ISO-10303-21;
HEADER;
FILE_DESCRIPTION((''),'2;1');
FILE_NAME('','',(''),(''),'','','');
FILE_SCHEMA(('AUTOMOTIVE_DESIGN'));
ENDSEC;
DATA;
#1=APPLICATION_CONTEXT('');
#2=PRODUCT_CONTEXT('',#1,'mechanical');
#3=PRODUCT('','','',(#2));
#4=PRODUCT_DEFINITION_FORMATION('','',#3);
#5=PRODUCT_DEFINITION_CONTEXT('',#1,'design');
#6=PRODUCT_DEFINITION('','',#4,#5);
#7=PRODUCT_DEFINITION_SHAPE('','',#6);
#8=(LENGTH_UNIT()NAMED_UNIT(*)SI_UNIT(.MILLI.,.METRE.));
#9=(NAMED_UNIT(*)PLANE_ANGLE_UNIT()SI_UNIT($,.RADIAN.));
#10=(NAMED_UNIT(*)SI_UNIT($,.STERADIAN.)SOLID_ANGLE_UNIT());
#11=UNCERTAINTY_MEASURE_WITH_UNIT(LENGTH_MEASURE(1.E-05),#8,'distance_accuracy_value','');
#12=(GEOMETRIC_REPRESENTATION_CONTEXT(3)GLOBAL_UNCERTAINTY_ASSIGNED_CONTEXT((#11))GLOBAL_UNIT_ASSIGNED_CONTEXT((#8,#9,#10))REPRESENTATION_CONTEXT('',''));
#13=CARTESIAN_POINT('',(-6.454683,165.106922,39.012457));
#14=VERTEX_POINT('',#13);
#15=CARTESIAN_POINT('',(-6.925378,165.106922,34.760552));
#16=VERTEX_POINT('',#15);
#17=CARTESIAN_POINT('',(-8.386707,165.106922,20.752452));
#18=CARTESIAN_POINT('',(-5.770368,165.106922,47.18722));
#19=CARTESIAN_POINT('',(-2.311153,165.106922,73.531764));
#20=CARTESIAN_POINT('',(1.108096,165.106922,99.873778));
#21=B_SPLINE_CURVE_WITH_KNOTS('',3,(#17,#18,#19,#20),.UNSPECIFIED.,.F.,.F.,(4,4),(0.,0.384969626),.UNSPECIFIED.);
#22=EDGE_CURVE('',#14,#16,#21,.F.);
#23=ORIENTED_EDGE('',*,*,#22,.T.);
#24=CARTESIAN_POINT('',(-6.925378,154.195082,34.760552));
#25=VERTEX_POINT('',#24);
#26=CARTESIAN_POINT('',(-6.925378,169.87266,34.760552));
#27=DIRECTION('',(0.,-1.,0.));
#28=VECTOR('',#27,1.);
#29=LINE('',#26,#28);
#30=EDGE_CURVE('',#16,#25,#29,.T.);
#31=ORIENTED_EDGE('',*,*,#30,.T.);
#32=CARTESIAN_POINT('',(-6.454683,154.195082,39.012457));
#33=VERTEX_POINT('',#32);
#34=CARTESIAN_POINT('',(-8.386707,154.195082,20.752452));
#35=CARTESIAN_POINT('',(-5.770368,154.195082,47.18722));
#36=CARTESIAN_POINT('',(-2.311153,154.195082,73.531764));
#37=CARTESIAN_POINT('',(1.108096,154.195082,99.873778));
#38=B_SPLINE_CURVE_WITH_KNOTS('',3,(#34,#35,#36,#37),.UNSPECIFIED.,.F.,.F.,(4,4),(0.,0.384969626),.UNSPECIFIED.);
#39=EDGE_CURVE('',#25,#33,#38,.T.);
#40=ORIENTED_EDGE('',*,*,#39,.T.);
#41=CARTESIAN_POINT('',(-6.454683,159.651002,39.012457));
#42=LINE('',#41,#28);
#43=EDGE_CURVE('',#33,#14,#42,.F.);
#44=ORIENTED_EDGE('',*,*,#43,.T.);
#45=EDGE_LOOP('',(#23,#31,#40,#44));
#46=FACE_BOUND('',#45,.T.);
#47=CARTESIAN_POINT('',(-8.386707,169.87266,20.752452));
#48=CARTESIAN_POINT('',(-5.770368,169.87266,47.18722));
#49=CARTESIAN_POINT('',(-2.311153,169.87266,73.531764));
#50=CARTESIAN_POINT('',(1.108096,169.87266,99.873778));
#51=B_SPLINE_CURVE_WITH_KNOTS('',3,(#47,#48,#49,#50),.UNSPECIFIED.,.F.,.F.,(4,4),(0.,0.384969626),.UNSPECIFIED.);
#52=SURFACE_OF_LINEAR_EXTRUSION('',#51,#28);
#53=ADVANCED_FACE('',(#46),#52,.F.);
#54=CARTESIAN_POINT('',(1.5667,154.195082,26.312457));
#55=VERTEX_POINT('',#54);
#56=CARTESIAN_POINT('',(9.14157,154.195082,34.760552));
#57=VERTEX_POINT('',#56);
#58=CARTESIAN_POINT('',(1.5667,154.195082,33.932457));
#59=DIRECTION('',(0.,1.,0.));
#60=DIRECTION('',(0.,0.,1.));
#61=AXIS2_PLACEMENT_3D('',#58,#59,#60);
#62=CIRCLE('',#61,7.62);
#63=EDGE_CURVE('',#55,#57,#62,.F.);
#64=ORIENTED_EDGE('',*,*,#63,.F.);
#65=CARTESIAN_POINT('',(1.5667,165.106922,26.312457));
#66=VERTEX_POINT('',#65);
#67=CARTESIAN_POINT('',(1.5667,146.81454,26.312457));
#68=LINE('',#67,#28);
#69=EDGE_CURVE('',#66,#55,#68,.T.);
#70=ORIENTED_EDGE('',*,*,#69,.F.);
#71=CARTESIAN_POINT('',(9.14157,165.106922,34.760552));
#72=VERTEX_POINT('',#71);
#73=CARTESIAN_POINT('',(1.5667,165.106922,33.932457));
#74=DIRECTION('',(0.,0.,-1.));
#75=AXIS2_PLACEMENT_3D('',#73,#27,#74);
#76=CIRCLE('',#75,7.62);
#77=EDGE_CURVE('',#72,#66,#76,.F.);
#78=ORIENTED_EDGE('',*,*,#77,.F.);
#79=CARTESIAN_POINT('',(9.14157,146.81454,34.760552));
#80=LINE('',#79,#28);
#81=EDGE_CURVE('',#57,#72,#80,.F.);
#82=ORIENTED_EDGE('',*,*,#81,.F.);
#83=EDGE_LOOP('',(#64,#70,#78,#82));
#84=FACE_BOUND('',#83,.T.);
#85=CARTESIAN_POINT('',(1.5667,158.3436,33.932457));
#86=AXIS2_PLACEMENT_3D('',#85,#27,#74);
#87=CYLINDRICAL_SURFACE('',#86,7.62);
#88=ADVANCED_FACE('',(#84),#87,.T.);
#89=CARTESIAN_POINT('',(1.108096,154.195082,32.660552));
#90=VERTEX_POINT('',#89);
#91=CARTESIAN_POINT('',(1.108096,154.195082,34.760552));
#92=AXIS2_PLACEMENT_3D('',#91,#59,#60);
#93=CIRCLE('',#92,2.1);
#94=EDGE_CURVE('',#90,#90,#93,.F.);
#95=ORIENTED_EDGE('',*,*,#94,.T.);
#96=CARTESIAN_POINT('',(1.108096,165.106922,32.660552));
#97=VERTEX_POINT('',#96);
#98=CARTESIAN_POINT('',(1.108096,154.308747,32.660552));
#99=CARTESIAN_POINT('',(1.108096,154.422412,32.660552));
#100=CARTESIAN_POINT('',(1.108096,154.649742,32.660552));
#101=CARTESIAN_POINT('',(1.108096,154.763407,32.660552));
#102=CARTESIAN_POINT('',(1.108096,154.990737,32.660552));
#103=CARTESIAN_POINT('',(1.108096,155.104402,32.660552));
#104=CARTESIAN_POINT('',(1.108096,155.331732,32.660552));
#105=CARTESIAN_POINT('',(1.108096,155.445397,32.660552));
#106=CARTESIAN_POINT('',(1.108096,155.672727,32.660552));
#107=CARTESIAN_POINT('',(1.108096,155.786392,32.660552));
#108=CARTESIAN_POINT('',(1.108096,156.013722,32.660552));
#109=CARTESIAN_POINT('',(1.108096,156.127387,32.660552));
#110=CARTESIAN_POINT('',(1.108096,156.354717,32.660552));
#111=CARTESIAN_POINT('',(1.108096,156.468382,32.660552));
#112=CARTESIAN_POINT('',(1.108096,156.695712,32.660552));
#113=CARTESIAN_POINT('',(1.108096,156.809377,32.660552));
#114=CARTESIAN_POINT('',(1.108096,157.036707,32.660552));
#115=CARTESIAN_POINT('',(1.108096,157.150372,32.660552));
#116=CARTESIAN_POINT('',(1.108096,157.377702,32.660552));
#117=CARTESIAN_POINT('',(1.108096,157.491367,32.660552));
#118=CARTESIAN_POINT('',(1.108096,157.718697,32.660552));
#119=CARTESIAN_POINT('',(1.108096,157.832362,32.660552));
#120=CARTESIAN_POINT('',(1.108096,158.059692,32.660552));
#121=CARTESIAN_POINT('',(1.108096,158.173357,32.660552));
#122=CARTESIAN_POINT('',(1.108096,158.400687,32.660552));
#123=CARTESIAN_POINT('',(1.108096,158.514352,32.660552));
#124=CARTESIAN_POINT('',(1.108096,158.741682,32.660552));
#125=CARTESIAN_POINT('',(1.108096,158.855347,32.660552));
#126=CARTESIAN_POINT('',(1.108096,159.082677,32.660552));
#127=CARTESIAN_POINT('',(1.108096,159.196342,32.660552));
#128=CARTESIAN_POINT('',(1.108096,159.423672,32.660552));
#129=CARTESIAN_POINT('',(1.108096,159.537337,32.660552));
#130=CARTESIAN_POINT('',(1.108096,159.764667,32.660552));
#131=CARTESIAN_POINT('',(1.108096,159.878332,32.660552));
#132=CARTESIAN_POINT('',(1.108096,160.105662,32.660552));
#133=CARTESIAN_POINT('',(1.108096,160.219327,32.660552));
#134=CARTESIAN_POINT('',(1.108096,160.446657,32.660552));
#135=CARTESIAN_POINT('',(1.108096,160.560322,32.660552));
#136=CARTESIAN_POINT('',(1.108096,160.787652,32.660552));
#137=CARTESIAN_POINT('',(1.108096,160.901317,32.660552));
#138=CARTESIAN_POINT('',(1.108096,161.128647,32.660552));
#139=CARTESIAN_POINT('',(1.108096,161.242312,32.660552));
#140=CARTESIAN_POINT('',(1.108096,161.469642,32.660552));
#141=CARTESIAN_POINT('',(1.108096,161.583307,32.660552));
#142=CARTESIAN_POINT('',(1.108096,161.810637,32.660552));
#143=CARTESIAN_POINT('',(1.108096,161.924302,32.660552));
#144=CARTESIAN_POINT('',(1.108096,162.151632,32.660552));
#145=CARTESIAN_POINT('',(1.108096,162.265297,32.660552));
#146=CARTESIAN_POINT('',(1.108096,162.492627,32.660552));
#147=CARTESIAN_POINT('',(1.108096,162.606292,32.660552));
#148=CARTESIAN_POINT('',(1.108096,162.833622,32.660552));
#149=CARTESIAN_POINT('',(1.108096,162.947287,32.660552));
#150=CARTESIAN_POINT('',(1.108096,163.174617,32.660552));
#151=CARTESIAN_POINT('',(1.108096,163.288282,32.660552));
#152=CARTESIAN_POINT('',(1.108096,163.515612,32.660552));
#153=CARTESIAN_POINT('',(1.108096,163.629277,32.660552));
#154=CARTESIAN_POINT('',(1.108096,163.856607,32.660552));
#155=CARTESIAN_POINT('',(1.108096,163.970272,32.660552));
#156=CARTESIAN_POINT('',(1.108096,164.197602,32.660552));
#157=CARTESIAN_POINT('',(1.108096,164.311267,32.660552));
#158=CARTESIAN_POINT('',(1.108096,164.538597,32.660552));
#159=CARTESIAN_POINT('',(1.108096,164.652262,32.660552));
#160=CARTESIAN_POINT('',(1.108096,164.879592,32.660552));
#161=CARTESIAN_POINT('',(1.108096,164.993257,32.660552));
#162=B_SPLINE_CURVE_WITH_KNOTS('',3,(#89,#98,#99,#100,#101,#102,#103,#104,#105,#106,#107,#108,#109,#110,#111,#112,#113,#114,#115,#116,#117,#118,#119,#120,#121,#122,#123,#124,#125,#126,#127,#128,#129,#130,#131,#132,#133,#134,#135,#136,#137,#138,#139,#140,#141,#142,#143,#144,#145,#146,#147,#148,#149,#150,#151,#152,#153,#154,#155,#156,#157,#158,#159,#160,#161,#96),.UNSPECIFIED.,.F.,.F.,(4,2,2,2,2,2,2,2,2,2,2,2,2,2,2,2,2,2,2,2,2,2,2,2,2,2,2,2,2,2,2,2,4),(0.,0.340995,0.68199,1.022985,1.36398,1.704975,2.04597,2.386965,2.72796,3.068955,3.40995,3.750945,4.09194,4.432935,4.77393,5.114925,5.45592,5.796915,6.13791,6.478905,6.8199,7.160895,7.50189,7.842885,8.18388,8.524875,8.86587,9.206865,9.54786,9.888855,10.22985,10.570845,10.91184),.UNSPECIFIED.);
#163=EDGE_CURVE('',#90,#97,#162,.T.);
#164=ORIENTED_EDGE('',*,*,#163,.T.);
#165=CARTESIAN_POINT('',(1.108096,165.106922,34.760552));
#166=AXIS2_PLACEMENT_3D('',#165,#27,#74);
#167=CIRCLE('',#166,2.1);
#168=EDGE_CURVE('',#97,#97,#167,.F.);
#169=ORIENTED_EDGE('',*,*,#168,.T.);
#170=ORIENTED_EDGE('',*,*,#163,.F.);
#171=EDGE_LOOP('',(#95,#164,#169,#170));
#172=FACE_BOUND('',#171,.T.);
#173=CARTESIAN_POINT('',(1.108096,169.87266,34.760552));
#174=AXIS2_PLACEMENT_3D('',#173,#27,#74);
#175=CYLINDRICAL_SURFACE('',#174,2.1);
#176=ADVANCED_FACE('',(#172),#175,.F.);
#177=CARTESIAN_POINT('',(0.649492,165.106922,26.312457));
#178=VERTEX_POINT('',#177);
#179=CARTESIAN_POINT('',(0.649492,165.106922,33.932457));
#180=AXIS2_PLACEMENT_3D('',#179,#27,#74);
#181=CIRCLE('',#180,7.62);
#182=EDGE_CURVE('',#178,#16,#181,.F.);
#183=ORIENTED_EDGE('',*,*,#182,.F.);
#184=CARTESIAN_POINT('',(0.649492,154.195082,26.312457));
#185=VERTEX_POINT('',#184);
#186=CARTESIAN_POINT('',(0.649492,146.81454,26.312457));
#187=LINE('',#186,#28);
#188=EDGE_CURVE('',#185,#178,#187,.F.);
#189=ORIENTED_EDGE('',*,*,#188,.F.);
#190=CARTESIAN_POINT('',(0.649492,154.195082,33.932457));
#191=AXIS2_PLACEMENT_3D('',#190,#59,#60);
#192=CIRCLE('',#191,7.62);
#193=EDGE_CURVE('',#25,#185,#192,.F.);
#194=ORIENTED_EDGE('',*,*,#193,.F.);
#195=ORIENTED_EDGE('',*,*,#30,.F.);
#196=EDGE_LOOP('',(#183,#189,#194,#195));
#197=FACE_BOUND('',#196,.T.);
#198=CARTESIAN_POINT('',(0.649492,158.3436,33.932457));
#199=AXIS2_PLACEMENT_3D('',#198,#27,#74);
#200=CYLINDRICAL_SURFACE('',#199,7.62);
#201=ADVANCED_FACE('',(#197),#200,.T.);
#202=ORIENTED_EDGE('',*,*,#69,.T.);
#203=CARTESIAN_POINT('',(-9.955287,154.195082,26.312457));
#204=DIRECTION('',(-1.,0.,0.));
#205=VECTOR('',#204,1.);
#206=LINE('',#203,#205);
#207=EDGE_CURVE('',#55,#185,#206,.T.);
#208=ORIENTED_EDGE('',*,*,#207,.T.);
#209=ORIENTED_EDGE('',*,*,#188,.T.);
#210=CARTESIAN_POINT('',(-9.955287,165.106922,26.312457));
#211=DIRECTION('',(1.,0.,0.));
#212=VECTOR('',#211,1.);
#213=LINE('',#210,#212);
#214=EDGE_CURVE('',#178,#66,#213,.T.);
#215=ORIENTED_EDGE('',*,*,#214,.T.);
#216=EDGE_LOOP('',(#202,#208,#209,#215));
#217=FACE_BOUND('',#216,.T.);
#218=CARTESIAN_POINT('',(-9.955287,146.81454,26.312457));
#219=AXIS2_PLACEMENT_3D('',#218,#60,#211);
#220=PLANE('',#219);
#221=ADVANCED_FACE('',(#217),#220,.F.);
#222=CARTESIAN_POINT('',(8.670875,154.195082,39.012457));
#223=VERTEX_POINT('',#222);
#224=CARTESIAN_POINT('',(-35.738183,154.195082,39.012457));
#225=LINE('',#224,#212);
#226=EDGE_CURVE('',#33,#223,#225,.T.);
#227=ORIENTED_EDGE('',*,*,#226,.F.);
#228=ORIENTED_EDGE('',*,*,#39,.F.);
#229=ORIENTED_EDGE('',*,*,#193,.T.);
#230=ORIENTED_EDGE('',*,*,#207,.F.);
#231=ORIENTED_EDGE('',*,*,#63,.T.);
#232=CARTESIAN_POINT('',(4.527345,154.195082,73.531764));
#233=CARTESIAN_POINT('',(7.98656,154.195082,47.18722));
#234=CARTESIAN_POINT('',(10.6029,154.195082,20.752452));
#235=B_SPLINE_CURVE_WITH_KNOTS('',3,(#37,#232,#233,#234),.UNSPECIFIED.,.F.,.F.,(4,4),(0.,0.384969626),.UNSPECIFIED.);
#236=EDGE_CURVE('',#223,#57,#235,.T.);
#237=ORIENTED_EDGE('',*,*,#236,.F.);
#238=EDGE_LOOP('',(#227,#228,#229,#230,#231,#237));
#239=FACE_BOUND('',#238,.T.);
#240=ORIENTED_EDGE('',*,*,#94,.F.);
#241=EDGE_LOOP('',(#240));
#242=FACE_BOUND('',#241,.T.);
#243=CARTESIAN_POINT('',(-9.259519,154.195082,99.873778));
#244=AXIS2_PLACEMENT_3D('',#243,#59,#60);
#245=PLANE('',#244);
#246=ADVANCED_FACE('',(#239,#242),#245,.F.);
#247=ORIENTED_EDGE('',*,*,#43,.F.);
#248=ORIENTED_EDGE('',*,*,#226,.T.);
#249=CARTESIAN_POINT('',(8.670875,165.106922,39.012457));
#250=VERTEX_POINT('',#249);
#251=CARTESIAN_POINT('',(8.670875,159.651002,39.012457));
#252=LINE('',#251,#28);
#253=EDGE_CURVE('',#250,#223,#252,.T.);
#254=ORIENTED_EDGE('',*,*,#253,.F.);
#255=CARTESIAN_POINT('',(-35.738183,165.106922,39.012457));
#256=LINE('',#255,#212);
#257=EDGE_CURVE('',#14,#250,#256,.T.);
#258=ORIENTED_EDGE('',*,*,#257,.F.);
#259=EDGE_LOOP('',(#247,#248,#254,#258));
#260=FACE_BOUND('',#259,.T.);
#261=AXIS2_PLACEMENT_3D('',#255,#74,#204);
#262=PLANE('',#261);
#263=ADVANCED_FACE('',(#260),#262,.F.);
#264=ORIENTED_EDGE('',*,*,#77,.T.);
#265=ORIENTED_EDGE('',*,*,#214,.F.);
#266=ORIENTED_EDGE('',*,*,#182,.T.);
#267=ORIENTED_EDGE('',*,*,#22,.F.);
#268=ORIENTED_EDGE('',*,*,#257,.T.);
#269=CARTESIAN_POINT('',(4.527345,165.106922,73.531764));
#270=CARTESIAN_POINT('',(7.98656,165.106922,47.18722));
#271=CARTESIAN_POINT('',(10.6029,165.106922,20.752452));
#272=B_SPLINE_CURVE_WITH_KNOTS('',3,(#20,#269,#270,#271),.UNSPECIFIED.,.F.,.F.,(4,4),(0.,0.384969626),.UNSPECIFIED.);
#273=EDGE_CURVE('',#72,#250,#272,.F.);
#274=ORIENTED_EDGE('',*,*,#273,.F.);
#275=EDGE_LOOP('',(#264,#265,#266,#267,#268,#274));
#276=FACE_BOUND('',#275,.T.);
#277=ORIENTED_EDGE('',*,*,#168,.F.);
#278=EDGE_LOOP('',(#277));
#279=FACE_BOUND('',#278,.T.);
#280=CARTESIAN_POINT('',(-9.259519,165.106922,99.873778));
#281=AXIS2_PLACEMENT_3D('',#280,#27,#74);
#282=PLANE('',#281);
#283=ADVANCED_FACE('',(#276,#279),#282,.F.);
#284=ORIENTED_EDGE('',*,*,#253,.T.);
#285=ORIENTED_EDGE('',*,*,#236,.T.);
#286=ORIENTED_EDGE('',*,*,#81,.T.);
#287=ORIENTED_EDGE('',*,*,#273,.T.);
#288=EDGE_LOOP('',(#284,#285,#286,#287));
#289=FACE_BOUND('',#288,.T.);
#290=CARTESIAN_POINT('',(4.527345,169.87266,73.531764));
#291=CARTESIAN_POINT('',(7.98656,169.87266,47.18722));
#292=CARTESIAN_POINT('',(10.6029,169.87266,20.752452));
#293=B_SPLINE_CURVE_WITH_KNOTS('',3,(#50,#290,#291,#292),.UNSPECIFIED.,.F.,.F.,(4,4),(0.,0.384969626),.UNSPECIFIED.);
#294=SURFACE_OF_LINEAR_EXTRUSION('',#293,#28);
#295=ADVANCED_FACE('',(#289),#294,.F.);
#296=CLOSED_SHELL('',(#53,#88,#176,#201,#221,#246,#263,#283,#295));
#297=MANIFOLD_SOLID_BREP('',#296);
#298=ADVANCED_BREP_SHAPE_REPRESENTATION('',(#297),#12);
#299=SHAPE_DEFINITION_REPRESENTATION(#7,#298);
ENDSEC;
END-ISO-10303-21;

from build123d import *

# Parameters (mm, degrees)
SKETCH1_R               = 1.984375
BOSS_EXTRUDE1_DEPTH     = 169.87266
SKETCH2_W               = 35.763807095
SKETCH2_H               = 22.705005105
CUT_EXTRUDE1_DEPTH      = 23.05812
CUT_EXTRUDE2_START      = -169.87266
SKETCH2_2_W             = 35.763807095
SKETCH2_2_H             = 22.705005105
CUT_EXTRUDE2_DEPTH      = 23.05812
FILLET1_R               = 7.62
CUT_EXTRUDE3_DEPTH      = 198.390942599
CUT_EXTRUDE3_DEPTH_BACK = 198.390942599
SKETCH6_R               = 2.1
CUT_EXTRUDE4_DEPTH      = 198.390942599
CUT_EXTRUDE4_DEPTH_BACK = 198.390942599
SKETCH7_W               = 96.266326783
SKETCH7_H               = 154.195082356
SKETCH7_H_2             = 4.765737644
CUT_EXTRUDE5_DEPTH      = 101.887240685
CUT_EXTRUDE5_DEPTH_BACK = 101.887240685
SKETCH8_W               = 55.334278697
SKETCH8_H               = 64.985105724


with BuildPart() as part:
    # Sketch1 → Boss-Extrude1 (new body)
    with BuildSketch(Plane(origin=(0, 0, 0), x_dir=(1, 0, 0), z_dir=(0, 1, 0))):
        with BuildLine():
            Line((-9.955287346, -3.607451573), (-6.769721368, -3.607451573))
            Line((-6.769721368, -3.607451573), (8.985913589, -3.607451573))
            Line((8.985913589, -3.607451573), (12.171479568, -3.607451573))
            add(Edge.make_bspline(
                [(10.60289965, -20.752451573), (11.099968974, -15.730201571), (11.630563617, -10.016003166), (12.113997871, -4.296816952), (12.171479568, -3.607451573)],
                knots=[0.384969626, 0.384969626, 0.384969626, 0.384969626, 0.458108671, 0.468131593, 0.468131593, 0.468131593, 0.468131593], degree=3))
            add(Edge.make_bspline(
                [(1.108096111, -99.873778356), (4.527344744, -73.531764163), (7.9865599, -47.187219652), (10.60289965, -20.752451573)],
                knots=[0, 0, 0, 0, 0.384969626, 0.384969626, 0.384969626, 0.384969626], degree=3))
            add(Edge.make_bspline(
                [(1.108096111, -99.873778356), (-2.311152522, -73.531764163), (-5.770367679, -47.187219652), (-8.386707429, -20.752451573)],
                knots=[0, 0, 0, 0, 0.384969626, 0.384969626, 0.384969626, 0.384969626], degree=3))
            add(Edge.make_bspline(
                [(-8.386707429, -20.752451573), (-8.883776753, -15.730201571), (-9.414371396, -10.016003166), (-9.89780565, -4.296816952), (-9.955287346, -3.607451573)],
                knots=[0.384969626, 0.384969626, 0.384969626, 0.384969626, 0.458108671, 0.468131593, 0.468131593, 0.468131593, 0.468131593], degree=3))
        make_face()
        with Locations(Location((1.108108569, -11.326456678, 0), (0, 0, 270))):
            Circle(SKETCH1_R, mode=Mode.SUBTRACT)
    extrude(amount=BOSS_EXTRUDE1_DEPTH)

    # Sketch2 → Cut-Extrude1 (cut)
    with BuildSketch(Plane(origin=(0, 169.87266, 0), x_dir=(1, 0, 0), z_dir=(0, 1, 0))):
        with Locations((7.926616202, -14.959954125)):
            Rectangle(SKETCH2_W, SKETCH2_H)
    extrude(amount=-CUT_EXTRUDE1_DEPTH, mode=Mode.SUBTRACT)

    # Sketch2<2> → Cut-Extrude2 (cut)
    with BuildSketch(Plane(origin=(0, 169.87266, 0), x_dir=(1, 0, 0), z_dir=(0, 1, 0)).offset(CUT_EXTRUDE2_START)):
        with Locations((7.926616202, -14.959954125)):
            Rectangle(SKETCH2_2_W, SKETCH2_2_H)
    extrude(amount=CUT_EXTRUDE2_DEPTH, mode=Mode.SUBTRACT)

    # Fillet1
    fillet1_edges = [part.edges().sort_by_distance(p)[0] for p in [
        (-7.824155374, 11.52906, 26.312456678),
        (10.040347595, 11.52906, 26.312456678),
        (-9.955287346, 84.93633, 3.607451573),
        (12.171479568, 84.93633, 3.607451573),
        (-7.824155374, 158.3436, 26.312456678),
        (10.040347595, 158.3436, 26.312456678),
    ]]
    fillet(fillet1_edges, radius=FILLET1_R)

    # Sketch6 → Cut-Extrude3 (cut, two sides: drawn at the far end of the back side and taken through both)
    with BuildSketch(Plane.XZ.offset(-CUT_EXTRUDE3_DEPTH_BACK)):
        with Locations(Location((1.108096111, 71.933778356, 0), (0, 0, 270))):
            Circle(SKETCH6_R)
        with Locations(Location((1.108096111, 34.760552137, 0), (0, 0, 270))):
            Circle(SKETCH6_R)
    extrude(amount=CUT_EXTRUDE3_DEPTH + CUT_EXTRUDE3_DEPTH_BACK, mode=Mode.SUBTRACT)

    # Sketch7 → Cut-Extrude4 (cut, two sides: drawn at the far end of the back side and taken through both)
    with BuildSketch(Plane(origin=(0, 0, 0), x_dir=(0, 0, -1), z_dir=(1, 0, 0)).offset(-CUT_EXTRUDE4_DEPTH_BACK)):
        with Locations((-51.740614965, 77.097541178)):
            Rectangle(SKETCH7_W, SKETCH7_H)
        with Locations((-51.740614965, 167.489791178)):
            Rectangle(SKETCH7_W, SKETCH7_H_2)
    extrude(amount=CUT_EXTRUDE4_DEPTH + CUT_EXTRUDE4_DEPTH_BACK, mode=Mode.SUBTRACT)

    # Sketch8 → Cut-Extrude5 (cut, two sides: drawn at the far end of the back side and taken through both)
    with BuildSketch(Plane.XZ.offset(-154.195082356).offset(-CUT_EXTRUDE5_DEPTH_BACK)):
        with Locations((-8.071043379, 71.50500954)):
            Rectangle(SKETCH8_W, SKETCH8_H)
    extrude(amount=CUT_EXTRUDE5_DEPTH + CUT_EXTRUDE5_DEPTH_BACK, mode=Mode.SUBTRACT)


solid = part.part
